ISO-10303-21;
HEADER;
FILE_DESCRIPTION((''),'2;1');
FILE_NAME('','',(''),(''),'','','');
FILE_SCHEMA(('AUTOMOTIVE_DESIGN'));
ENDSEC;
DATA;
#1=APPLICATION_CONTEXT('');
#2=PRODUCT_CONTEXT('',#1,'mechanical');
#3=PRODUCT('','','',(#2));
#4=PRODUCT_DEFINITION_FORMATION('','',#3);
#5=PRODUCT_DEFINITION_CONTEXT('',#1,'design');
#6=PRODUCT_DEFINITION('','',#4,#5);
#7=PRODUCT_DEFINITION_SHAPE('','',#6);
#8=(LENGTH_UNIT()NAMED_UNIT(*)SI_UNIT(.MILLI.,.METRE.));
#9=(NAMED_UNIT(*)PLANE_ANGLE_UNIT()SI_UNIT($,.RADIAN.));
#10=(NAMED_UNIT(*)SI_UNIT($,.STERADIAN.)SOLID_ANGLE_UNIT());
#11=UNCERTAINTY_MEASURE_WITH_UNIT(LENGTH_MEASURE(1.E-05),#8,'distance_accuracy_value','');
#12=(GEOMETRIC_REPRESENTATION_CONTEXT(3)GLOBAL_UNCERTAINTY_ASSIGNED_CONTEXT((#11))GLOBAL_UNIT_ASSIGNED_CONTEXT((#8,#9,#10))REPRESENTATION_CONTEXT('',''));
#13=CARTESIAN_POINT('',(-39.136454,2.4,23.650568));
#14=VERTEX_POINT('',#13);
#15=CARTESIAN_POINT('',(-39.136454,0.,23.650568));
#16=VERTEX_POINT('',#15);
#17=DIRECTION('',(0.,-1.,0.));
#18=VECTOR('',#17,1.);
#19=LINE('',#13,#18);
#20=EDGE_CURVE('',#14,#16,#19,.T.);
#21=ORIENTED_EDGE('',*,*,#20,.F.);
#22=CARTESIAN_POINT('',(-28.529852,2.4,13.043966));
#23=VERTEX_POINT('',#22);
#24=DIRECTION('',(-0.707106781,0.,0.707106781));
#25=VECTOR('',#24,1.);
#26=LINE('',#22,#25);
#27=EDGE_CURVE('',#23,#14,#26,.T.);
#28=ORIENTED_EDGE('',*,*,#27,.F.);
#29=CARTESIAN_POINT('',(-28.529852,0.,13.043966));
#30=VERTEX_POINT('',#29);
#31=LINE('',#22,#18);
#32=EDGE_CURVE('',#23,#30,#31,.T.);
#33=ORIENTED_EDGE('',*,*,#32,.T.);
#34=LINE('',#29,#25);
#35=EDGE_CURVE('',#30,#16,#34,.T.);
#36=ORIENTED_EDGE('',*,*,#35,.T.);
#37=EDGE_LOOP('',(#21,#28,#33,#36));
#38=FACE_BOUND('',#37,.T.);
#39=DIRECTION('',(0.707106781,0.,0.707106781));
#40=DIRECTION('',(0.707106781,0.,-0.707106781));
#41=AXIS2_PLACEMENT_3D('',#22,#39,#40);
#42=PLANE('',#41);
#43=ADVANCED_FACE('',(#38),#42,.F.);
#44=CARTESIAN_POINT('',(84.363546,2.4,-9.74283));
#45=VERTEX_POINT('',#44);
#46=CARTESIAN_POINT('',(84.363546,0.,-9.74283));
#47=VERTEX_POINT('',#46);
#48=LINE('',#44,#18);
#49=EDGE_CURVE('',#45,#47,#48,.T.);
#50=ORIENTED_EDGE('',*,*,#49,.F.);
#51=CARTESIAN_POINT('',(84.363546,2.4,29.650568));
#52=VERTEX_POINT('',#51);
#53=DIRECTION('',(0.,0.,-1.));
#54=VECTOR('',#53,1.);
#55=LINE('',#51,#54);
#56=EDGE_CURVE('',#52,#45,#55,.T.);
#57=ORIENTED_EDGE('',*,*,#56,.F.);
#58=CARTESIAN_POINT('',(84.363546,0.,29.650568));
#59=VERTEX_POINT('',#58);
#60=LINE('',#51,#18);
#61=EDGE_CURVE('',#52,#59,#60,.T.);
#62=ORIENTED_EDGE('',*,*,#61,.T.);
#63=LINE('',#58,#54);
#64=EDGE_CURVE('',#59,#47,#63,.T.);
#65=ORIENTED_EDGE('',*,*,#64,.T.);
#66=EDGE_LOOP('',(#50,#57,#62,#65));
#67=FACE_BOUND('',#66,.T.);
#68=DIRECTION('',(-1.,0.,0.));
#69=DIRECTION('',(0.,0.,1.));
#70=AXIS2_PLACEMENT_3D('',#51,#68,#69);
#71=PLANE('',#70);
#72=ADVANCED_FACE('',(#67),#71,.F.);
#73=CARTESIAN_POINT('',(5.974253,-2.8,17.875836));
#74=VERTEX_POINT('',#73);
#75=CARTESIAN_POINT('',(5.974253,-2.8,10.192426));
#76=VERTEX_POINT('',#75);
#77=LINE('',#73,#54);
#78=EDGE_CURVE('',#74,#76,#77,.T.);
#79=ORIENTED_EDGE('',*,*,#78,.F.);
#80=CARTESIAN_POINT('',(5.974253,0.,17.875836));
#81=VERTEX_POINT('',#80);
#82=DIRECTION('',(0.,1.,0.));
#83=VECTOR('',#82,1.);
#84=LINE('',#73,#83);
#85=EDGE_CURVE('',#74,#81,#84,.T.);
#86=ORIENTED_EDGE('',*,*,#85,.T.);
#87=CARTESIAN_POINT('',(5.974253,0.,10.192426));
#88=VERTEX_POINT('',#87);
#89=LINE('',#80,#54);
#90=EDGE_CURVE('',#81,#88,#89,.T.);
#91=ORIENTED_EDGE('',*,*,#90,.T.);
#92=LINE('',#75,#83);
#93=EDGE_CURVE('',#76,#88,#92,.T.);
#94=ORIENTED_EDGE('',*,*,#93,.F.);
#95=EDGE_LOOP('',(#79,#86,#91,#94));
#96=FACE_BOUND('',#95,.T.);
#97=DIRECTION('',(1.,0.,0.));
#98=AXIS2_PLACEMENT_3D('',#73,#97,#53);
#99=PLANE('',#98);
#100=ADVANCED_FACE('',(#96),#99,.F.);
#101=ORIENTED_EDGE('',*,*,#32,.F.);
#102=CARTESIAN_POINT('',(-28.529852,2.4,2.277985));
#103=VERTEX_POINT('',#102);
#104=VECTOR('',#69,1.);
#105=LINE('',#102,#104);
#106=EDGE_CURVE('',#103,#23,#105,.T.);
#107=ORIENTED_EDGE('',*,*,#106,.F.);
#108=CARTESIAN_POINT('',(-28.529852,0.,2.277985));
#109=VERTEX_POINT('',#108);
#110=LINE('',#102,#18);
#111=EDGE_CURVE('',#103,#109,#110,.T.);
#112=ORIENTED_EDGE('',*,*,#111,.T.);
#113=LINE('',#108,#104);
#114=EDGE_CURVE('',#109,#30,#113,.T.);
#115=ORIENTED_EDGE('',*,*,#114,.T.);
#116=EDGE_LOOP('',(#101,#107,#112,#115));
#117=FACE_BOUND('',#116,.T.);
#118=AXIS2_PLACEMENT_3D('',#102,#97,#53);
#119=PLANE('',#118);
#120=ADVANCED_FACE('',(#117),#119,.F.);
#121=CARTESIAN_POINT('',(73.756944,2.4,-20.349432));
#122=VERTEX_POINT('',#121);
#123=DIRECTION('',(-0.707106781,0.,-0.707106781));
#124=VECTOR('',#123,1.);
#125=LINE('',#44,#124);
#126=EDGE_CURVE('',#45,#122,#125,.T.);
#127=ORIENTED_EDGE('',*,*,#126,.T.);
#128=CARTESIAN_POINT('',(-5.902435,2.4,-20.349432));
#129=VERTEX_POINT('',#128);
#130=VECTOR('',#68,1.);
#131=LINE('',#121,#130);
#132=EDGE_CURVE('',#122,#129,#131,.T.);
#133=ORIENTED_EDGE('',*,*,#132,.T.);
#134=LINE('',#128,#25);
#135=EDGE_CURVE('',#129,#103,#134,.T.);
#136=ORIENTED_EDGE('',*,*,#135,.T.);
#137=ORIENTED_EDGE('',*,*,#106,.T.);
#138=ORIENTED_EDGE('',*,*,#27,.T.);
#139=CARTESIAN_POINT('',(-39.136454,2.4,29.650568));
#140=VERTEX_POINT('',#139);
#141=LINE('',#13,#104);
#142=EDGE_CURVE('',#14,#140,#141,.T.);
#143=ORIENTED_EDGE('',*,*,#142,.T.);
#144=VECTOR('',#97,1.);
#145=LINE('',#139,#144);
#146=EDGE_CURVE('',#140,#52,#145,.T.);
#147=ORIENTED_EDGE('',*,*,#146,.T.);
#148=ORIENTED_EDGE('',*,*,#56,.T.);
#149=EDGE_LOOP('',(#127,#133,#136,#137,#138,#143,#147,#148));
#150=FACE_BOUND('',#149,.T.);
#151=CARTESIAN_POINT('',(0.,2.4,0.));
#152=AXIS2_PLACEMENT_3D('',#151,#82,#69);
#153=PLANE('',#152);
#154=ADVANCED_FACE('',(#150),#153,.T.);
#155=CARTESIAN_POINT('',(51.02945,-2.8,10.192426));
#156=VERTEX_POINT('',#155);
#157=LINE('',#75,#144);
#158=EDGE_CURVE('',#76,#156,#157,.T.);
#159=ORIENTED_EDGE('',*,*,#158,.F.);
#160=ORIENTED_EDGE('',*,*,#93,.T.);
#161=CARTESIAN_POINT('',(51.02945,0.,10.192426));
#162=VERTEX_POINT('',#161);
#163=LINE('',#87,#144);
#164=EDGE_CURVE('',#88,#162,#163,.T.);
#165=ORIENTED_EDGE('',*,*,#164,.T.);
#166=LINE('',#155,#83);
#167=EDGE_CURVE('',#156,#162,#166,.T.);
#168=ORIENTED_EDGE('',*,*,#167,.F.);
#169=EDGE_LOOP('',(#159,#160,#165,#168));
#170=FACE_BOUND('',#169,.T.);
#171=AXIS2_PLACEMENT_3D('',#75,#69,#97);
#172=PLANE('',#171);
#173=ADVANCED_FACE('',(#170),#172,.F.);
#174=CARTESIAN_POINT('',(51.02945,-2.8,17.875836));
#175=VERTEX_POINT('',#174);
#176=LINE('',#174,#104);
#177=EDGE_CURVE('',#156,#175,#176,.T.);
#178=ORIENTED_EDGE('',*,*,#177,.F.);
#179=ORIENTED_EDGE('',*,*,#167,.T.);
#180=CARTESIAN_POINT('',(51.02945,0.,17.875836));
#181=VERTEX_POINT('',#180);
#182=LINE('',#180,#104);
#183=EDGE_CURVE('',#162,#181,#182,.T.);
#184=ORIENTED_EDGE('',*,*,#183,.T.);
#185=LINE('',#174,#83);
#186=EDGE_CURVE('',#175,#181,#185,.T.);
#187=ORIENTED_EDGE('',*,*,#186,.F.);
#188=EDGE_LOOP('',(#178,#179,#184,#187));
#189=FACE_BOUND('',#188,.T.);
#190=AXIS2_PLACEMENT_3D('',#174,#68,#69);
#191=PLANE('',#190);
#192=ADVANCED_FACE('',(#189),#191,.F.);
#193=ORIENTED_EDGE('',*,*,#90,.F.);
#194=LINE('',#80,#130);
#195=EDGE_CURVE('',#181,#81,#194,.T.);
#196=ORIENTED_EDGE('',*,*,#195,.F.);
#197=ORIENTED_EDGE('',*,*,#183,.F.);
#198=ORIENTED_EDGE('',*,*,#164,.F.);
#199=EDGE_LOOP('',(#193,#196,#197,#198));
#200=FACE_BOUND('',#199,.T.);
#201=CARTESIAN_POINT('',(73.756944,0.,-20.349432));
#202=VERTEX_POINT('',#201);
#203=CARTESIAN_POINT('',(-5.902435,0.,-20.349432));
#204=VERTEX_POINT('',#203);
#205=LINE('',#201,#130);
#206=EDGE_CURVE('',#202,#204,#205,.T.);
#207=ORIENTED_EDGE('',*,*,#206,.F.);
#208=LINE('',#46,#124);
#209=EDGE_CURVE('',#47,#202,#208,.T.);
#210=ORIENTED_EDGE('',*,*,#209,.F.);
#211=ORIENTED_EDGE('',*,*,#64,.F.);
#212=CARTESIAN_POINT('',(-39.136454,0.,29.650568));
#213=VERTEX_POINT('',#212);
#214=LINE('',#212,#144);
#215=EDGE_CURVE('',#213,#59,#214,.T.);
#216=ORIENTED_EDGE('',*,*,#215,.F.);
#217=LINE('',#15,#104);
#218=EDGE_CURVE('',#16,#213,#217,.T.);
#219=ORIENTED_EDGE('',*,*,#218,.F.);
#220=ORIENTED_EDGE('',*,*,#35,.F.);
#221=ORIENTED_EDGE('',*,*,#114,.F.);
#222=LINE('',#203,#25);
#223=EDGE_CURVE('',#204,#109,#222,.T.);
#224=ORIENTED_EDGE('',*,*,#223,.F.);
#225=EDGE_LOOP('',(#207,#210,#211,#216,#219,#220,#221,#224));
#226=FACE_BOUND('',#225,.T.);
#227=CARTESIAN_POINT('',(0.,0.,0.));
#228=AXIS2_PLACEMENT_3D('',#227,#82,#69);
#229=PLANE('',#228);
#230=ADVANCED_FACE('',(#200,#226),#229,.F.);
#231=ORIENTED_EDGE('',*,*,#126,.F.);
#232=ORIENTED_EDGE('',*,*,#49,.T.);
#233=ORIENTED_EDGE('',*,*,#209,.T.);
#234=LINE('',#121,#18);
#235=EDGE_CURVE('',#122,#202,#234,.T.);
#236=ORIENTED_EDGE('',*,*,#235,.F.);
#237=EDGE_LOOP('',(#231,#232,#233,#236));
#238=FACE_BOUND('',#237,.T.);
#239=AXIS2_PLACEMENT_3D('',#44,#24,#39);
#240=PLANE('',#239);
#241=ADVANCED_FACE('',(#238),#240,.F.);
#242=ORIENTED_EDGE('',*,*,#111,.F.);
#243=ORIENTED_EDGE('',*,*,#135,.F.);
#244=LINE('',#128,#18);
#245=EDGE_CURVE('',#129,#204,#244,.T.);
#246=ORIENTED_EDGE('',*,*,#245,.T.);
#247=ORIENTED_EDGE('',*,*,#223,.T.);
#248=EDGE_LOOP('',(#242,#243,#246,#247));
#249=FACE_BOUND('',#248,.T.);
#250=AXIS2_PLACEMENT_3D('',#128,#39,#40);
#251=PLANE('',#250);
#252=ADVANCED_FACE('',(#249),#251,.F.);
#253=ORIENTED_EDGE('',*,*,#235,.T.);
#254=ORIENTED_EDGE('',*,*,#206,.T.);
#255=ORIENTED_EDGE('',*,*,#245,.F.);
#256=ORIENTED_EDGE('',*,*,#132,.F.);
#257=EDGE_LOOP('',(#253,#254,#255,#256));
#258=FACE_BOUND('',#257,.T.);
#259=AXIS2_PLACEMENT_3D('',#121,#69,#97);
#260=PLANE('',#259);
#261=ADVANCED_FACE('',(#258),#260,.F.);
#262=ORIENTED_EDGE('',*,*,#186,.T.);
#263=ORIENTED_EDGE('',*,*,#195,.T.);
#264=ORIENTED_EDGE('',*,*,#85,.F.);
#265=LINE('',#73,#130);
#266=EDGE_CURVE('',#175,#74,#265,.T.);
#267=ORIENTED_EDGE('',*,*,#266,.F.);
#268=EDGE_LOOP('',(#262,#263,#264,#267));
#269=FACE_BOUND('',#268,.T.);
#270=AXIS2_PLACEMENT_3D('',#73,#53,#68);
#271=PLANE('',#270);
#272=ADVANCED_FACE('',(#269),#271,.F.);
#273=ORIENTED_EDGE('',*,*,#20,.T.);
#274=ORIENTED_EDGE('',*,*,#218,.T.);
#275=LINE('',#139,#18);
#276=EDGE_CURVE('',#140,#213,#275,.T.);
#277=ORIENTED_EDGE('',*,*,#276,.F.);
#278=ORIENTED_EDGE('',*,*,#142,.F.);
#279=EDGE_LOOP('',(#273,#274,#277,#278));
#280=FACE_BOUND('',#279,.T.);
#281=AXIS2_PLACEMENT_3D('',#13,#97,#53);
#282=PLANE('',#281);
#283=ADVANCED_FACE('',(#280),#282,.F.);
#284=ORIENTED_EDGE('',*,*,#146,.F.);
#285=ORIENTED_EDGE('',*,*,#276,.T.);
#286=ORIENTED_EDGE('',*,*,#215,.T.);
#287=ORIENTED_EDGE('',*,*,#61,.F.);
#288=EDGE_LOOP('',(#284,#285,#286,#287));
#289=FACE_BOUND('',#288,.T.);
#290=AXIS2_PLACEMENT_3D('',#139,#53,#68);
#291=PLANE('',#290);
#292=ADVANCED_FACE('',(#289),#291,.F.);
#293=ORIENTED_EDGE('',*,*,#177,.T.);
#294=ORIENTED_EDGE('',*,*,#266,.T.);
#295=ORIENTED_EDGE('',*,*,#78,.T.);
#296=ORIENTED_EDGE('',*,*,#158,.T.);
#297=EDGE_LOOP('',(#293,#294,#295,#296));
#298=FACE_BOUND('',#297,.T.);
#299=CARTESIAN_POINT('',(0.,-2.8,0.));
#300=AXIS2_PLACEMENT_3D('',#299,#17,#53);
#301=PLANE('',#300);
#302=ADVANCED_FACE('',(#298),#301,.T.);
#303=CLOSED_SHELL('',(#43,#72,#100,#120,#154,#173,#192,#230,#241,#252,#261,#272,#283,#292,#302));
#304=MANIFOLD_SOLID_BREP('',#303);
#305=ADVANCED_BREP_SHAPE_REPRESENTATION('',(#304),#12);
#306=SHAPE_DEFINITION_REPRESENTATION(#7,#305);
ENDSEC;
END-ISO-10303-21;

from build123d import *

# Parameters (mm, degrees)
BOSS_EXTRUDE1_DEPTH = 2.4
SKETCH2_W           = 45.055197291
SKETCH2_H           = 7.683409872
BOSS_EXTRUDE2_DEPTH = 2.8


with BuildPart() as part:
    # Sketch1 → Boss-Extrude1 (new body)
    with BuildSketch(Plane(origin=(0, 0, 0), x_dir=(1, 0, 0), z_dir=(0, 1, 0))):
        Polygon((-39.136453838, -29.650568182), (84.363546162, -29.650568182), (84.363546162, 9.7428301), (73.756944444, 20.349431818), (-5.902435122, 20.349431818), (-28.52985212, -2.27798518), (-28.52985212, -13.043966464), (-39.136453838, -23.650568182), align=None)
    extrude(amount=BOSS_EXTRUDE1_DEPTH)

    # Sketch2 → Boss-Extrude2 (add)
    with BuildSketch(Plane(origin=(0, 0, 0), x_dir=(-1, 0, 0), z_dir=(0, -1, 0))):
        with Locations((-28.501851434, -14.034130816)):
            Rectangle(SKETCH2_W, SKETCH2_H)
    extrude(amount=BOSS_EXTRUDE2_DEPTH)


solid = part.part
